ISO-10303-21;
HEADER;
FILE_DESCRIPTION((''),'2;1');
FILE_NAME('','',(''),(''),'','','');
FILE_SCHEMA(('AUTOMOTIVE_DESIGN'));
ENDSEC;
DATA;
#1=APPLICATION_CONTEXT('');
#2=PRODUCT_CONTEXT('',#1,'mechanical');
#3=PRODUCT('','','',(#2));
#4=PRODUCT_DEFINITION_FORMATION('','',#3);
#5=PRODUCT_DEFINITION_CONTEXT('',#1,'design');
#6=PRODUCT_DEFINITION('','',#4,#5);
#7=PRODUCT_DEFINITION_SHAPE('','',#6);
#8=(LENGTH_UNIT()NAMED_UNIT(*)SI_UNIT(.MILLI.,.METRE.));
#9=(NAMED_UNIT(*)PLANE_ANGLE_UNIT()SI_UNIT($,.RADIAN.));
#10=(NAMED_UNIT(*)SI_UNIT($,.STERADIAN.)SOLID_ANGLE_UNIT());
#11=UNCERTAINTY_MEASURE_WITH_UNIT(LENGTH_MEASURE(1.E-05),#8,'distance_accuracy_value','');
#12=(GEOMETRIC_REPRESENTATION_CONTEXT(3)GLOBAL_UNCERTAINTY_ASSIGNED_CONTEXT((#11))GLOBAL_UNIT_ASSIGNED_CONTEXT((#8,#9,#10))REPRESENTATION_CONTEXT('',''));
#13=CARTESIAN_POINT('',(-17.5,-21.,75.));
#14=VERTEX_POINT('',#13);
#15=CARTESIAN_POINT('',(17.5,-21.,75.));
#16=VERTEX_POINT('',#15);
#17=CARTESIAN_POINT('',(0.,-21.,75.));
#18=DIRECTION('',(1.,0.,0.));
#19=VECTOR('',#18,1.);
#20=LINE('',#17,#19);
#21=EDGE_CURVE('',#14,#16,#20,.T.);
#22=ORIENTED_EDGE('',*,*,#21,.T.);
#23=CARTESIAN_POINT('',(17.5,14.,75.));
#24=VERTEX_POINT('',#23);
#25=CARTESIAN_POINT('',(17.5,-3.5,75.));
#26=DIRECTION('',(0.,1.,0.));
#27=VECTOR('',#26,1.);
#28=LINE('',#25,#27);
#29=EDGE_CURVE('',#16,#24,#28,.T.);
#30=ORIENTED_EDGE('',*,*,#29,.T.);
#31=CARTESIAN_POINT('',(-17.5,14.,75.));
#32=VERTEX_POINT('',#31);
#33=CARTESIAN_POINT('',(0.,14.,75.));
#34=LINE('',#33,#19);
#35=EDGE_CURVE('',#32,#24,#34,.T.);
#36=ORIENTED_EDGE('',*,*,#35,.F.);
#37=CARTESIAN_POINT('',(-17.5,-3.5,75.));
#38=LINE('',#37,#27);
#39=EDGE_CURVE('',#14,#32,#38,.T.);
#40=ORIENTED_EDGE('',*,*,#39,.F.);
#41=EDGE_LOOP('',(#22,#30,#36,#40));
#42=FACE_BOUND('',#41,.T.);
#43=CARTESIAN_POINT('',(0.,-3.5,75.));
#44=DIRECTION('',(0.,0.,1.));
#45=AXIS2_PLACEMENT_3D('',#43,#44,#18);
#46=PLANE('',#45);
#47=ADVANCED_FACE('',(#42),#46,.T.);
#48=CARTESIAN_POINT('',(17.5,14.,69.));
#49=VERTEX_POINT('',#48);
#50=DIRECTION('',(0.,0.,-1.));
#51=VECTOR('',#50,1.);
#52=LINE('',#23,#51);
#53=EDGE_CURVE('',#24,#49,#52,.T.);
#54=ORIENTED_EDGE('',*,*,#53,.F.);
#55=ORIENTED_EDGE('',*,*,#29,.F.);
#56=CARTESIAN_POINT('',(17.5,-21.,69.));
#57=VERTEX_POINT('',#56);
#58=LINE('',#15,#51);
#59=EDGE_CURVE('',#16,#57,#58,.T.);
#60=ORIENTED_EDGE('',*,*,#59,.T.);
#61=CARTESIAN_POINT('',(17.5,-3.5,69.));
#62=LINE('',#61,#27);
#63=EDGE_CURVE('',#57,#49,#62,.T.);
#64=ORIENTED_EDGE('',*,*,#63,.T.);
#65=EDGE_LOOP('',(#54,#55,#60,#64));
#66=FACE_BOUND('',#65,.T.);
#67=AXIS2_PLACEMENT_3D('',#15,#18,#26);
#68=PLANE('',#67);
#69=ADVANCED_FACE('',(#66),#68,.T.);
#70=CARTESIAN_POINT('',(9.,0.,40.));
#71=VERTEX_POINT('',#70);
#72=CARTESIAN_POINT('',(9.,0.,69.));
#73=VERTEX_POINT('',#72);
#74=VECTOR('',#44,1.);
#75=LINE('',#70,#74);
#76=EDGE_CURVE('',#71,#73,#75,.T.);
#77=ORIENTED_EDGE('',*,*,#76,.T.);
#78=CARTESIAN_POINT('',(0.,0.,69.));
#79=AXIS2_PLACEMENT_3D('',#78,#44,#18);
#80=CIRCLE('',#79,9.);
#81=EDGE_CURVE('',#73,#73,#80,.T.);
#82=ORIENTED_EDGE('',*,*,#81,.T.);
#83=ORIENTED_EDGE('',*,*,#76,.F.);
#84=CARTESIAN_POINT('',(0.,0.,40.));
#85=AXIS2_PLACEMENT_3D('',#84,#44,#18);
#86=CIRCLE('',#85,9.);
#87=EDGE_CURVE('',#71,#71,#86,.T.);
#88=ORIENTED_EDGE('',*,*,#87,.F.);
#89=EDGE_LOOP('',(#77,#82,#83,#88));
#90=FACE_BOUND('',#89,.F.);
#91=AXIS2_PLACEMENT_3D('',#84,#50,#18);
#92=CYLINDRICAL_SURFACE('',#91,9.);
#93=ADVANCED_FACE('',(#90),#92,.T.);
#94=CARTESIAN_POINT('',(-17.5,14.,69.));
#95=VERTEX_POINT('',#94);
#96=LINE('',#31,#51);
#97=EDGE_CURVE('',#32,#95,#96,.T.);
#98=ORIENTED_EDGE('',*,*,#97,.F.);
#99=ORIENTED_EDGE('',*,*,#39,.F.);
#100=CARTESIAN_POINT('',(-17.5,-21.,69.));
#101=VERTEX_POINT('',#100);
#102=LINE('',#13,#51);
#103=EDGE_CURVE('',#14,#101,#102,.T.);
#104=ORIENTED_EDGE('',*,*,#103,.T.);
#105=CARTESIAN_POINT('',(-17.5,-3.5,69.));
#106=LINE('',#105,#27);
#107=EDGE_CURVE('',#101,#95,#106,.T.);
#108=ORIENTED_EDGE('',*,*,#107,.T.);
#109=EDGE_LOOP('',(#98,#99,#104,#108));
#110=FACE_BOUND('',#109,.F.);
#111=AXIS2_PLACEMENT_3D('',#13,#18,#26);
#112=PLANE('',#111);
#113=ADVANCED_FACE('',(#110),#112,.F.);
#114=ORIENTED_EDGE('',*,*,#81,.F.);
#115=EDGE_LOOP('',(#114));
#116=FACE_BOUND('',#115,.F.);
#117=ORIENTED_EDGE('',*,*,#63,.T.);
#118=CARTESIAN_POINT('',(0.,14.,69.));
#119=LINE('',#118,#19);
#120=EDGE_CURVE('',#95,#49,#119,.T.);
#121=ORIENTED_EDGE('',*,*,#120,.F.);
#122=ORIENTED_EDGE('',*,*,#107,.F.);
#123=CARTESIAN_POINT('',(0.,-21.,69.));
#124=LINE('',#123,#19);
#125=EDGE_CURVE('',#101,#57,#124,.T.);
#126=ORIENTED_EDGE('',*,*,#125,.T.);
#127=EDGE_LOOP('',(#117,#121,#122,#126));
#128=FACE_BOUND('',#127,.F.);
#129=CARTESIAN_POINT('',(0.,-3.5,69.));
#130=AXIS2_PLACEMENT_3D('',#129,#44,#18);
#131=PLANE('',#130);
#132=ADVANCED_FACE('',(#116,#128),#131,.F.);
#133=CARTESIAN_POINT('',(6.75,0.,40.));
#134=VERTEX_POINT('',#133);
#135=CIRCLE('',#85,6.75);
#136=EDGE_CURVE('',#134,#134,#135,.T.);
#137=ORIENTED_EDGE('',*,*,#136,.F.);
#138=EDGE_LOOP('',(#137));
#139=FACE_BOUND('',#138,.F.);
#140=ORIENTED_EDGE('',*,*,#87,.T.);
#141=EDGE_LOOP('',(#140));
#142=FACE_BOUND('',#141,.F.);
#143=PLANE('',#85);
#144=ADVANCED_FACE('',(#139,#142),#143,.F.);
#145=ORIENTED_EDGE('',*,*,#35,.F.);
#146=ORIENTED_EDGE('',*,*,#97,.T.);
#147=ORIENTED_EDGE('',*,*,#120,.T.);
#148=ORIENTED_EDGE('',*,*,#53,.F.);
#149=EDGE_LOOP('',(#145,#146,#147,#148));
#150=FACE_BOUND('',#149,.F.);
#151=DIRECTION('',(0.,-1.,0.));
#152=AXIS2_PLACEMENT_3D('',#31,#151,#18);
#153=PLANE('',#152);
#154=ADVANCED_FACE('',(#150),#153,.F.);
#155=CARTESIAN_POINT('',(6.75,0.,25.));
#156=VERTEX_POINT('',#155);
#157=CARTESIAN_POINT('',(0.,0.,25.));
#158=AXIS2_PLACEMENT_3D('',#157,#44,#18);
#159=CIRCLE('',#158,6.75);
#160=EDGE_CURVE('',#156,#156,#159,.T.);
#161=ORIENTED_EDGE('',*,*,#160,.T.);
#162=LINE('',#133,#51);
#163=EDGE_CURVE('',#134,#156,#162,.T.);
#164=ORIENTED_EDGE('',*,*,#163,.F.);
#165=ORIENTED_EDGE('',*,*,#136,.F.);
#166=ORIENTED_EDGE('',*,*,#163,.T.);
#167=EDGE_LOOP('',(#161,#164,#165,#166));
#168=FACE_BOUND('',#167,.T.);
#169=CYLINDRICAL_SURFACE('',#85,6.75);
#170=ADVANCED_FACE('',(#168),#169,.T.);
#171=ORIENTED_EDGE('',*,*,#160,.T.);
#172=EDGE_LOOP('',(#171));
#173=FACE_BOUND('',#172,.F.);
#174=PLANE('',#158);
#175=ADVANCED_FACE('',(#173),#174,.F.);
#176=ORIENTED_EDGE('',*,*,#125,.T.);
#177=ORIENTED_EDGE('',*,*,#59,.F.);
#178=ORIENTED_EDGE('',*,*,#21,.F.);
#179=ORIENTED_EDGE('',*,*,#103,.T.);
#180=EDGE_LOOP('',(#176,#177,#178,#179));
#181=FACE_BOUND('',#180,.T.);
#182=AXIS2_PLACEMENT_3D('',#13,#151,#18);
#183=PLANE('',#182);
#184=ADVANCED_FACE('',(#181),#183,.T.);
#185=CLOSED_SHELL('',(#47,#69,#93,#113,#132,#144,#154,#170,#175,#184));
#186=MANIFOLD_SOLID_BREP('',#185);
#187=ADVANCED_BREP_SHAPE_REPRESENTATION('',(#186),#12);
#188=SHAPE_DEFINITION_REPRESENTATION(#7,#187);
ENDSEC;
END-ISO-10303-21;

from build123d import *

# Parameters (mm, degrees)
F1_R     = 6.75
F2_DEPTH = 15
F3_R     = 9
F4_DEPTH = 35
F5_W     = 35
F5_H     = 35
F5_R     = 9
F6_DEPTH = 6


with BuildPart() as f2:
    # F1 (on offset) → F2 (new body)
    with BuildSketch(Plane.XY.offset(40)):
        Circle(F1_R)
    extrude(amount=-F2_DEPTH)

    # F3 (on offset) → F4 (join)
    with BuildSketch(Plane.XY.offset(40)):
        Circle(F3_R)
    extrude(amount=F4_DEPTH)

    # F5 (on face) → F6 (join)
    with BuildSketch(Plane.XY.offset(75)):
        with Locations((0, -3.5)):
            Rectangle(F5_W, F5_H)
        Circle(F5_R, mode=Mode.SUBTRACT)
    extrude(amount=-F6_DEPTH)


solid = f2.part
